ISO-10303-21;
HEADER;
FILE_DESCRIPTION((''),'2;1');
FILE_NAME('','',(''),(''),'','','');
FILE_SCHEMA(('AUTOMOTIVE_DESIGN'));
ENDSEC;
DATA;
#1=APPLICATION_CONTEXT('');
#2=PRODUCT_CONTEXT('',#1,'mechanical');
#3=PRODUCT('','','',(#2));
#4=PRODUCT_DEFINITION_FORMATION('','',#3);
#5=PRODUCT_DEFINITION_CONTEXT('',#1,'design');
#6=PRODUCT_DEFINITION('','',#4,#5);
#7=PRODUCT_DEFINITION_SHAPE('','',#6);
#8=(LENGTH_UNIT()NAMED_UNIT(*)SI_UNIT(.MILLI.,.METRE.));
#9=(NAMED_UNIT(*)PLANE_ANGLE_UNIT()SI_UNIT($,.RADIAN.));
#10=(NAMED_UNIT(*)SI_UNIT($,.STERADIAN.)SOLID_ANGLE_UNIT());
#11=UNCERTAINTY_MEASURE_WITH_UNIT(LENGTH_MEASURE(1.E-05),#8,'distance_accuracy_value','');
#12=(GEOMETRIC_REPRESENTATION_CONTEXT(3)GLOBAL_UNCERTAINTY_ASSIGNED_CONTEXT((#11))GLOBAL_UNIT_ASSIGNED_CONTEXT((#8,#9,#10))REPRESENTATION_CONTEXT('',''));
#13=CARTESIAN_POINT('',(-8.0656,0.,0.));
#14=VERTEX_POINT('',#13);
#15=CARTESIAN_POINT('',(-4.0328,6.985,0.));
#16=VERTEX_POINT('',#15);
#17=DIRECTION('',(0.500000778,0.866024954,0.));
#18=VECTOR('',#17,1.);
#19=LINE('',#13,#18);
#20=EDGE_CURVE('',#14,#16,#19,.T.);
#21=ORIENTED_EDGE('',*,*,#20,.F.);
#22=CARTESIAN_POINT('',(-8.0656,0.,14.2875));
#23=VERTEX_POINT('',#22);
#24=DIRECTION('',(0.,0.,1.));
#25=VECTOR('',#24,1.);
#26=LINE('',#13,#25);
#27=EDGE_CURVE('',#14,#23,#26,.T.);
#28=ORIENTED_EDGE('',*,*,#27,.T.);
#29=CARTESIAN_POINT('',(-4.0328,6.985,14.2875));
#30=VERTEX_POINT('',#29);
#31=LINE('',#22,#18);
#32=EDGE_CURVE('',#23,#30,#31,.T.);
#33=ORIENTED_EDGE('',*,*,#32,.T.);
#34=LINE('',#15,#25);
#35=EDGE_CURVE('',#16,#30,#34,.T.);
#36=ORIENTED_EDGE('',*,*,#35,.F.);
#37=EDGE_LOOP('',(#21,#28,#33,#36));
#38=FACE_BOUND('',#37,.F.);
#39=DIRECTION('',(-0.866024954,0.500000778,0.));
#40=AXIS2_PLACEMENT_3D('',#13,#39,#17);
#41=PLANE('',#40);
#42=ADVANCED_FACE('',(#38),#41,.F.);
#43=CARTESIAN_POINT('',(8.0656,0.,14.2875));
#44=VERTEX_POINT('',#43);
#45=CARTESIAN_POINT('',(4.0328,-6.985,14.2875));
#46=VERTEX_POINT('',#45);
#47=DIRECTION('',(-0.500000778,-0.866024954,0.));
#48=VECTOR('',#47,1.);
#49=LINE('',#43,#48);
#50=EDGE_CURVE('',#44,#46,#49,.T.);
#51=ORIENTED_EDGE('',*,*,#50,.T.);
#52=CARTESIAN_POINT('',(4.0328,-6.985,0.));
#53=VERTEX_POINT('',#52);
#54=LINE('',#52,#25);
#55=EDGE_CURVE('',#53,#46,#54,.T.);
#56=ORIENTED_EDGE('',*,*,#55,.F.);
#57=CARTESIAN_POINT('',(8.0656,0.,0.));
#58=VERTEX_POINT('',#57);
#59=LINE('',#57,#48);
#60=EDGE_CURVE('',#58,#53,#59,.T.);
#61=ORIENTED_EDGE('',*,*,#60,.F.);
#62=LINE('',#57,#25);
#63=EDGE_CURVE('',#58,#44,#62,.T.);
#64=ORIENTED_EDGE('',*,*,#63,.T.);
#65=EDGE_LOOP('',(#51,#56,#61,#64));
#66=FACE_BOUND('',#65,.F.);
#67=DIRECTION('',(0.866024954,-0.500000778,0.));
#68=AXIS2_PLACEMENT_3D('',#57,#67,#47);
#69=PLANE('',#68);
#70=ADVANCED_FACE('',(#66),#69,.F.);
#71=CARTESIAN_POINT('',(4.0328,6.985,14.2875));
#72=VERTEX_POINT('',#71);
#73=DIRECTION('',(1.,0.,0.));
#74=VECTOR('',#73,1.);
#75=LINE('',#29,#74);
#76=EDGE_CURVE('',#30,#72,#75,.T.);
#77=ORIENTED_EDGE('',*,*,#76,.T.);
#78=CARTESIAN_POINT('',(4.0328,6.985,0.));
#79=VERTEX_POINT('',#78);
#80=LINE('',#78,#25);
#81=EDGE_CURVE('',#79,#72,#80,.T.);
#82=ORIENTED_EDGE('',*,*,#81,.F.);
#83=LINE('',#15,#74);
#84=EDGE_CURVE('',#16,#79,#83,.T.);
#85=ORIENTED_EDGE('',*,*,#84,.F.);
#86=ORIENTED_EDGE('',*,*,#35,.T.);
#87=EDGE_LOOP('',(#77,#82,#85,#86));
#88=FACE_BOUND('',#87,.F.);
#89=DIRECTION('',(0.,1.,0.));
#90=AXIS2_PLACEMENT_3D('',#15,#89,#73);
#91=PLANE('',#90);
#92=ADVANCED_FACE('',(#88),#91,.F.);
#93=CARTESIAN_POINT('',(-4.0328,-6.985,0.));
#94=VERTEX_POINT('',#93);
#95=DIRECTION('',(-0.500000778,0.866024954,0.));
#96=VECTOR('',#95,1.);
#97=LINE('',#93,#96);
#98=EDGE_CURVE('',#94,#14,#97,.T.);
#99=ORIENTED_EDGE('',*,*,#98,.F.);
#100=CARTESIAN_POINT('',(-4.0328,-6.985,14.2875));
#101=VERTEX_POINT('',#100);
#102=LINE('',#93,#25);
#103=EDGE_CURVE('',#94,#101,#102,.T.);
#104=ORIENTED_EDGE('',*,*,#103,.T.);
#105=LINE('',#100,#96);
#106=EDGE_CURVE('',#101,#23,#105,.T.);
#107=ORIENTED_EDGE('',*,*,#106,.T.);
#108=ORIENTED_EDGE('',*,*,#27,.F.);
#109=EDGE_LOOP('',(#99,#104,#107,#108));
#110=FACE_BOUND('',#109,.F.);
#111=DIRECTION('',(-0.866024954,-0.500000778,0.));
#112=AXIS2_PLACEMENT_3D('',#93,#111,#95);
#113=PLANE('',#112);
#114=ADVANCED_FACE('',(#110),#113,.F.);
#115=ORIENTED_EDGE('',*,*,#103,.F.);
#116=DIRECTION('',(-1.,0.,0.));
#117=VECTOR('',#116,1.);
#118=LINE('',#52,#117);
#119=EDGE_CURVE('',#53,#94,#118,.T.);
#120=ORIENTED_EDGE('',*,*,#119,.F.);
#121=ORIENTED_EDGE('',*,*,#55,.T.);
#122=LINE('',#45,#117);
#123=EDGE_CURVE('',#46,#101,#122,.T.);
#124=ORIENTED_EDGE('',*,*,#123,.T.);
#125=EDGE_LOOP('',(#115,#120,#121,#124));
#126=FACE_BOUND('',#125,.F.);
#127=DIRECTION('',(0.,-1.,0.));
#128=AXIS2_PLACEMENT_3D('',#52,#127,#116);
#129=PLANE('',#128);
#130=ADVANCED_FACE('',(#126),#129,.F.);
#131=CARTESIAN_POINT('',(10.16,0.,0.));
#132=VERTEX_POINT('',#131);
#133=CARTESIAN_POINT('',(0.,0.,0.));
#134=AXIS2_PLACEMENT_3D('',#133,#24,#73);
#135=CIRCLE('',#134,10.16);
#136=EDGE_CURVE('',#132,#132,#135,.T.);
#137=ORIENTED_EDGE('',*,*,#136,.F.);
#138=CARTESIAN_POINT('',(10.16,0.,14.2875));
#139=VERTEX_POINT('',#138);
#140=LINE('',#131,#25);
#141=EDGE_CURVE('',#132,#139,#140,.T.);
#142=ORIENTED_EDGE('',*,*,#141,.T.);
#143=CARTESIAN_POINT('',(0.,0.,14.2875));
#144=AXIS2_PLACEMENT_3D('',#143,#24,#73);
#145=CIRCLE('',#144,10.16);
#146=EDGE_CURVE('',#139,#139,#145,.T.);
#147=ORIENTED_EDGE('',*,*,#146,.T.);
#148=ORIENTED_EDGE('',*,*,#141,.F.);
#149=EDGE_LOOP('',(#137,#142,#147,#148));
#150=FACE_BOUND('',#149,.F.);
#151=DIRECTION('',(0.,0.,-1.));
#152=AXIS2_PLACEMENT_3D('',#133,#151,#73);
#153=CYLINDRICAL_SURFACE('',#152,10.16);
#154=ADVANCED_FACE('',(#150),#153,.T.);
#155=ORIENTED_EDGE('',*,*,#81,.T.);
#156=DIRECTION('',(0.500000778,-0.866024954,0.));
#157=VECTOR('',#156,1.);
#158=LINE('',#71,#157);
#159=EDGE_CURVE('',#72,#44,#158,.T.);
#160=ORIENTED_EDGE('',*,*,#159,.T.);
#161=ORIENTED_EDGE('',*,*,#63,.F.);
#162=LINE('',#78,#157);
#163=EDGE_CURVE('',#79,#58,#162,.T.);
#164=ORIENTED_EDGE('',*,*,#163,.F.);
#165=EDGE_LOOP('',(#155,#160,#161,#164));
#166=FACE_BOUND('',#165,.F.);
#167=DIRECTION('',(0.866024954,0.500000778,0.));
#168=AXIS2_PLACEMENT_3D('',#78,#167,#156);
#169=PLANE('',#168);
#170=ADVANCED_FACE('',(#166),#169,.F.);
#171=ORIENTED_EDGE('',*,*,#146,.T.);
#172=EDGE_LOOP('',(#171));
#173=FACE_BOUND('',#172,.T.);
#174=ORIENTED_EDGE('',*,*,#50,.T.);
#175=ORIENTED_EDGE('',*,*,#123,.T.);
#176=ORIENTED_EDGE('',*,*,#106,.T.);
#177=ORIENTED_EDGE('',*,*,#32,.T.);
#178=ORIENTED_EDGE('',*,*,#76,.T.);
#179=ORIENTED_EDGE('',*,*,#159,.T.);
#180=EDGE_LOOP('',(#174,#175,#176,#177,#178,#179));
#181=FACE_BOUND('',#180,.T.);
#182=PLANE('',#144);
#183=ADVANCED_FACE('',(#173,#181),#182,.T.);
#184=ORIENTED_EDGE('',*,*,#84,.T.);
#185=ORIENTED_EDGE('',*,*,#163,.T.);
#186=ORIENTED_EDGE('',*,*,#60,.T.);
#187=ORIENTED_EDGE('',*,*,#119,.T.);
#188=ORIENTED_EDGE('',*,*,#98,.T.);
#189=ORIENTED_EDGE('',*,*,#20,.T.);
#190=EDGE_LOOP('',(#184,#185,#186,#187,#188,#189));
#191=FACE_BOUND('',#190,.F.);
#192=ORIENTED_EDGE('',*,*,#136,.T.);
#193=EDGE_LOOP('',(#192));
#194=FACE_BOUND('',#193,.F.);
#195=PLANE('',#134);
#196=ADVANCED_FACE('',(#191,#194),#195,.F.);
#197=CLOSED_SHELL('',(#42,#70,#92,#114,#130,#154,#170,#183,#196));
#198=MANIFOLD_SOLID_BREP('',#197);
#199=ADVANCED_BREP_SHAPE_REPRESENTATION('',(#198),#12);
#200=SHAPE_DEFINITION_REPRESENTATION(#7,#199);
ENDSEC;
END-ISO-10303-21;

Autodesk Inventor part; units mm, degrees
ref_plane "YZ Plane" through (0, 0, 0) normal (1, 0, 0) x (0, 1, 0)
ref_plane "XZ Plane" through (0, 0, 0) normal (0, 1, 0) x (-1, 0, 0)
ref_plane "XY Plane" through (0, 0, 0) normal (0, 0, 1) x (1, 0, 0)
sketch "Sketch1" plane through (0, 0, 0) normal (0, 0, 1) x (1, 0, 0)
  line L0 (4.0328, -6.985) -> (-4.0328, -6.985)
  line L1 (-4.0328, -6.985) -> (-8.0656, 0)
  line L2 (-8.0656, 0) -> (-4.0328, 6.985)
  line L3 (-4.0328, 6.985) -> (4.0328, 6.985)
  line L4 (4.0328, 6.985) -> (8.0656, 0)
  line L5 (8.0656, 0) -> (4.0328, -6.985)
  circle A0 centre (0, 0) radius 10.16
  dimension "d0" = 13.97
  dimension "d1" = 20.32
extrude "Extrusion1" add sketch "Sketch1" along normal blind 14.2875
properties part number "3DRPINT,FRONT-ROLLER,DRIVE-SPACER" material "ABS Plastic"
